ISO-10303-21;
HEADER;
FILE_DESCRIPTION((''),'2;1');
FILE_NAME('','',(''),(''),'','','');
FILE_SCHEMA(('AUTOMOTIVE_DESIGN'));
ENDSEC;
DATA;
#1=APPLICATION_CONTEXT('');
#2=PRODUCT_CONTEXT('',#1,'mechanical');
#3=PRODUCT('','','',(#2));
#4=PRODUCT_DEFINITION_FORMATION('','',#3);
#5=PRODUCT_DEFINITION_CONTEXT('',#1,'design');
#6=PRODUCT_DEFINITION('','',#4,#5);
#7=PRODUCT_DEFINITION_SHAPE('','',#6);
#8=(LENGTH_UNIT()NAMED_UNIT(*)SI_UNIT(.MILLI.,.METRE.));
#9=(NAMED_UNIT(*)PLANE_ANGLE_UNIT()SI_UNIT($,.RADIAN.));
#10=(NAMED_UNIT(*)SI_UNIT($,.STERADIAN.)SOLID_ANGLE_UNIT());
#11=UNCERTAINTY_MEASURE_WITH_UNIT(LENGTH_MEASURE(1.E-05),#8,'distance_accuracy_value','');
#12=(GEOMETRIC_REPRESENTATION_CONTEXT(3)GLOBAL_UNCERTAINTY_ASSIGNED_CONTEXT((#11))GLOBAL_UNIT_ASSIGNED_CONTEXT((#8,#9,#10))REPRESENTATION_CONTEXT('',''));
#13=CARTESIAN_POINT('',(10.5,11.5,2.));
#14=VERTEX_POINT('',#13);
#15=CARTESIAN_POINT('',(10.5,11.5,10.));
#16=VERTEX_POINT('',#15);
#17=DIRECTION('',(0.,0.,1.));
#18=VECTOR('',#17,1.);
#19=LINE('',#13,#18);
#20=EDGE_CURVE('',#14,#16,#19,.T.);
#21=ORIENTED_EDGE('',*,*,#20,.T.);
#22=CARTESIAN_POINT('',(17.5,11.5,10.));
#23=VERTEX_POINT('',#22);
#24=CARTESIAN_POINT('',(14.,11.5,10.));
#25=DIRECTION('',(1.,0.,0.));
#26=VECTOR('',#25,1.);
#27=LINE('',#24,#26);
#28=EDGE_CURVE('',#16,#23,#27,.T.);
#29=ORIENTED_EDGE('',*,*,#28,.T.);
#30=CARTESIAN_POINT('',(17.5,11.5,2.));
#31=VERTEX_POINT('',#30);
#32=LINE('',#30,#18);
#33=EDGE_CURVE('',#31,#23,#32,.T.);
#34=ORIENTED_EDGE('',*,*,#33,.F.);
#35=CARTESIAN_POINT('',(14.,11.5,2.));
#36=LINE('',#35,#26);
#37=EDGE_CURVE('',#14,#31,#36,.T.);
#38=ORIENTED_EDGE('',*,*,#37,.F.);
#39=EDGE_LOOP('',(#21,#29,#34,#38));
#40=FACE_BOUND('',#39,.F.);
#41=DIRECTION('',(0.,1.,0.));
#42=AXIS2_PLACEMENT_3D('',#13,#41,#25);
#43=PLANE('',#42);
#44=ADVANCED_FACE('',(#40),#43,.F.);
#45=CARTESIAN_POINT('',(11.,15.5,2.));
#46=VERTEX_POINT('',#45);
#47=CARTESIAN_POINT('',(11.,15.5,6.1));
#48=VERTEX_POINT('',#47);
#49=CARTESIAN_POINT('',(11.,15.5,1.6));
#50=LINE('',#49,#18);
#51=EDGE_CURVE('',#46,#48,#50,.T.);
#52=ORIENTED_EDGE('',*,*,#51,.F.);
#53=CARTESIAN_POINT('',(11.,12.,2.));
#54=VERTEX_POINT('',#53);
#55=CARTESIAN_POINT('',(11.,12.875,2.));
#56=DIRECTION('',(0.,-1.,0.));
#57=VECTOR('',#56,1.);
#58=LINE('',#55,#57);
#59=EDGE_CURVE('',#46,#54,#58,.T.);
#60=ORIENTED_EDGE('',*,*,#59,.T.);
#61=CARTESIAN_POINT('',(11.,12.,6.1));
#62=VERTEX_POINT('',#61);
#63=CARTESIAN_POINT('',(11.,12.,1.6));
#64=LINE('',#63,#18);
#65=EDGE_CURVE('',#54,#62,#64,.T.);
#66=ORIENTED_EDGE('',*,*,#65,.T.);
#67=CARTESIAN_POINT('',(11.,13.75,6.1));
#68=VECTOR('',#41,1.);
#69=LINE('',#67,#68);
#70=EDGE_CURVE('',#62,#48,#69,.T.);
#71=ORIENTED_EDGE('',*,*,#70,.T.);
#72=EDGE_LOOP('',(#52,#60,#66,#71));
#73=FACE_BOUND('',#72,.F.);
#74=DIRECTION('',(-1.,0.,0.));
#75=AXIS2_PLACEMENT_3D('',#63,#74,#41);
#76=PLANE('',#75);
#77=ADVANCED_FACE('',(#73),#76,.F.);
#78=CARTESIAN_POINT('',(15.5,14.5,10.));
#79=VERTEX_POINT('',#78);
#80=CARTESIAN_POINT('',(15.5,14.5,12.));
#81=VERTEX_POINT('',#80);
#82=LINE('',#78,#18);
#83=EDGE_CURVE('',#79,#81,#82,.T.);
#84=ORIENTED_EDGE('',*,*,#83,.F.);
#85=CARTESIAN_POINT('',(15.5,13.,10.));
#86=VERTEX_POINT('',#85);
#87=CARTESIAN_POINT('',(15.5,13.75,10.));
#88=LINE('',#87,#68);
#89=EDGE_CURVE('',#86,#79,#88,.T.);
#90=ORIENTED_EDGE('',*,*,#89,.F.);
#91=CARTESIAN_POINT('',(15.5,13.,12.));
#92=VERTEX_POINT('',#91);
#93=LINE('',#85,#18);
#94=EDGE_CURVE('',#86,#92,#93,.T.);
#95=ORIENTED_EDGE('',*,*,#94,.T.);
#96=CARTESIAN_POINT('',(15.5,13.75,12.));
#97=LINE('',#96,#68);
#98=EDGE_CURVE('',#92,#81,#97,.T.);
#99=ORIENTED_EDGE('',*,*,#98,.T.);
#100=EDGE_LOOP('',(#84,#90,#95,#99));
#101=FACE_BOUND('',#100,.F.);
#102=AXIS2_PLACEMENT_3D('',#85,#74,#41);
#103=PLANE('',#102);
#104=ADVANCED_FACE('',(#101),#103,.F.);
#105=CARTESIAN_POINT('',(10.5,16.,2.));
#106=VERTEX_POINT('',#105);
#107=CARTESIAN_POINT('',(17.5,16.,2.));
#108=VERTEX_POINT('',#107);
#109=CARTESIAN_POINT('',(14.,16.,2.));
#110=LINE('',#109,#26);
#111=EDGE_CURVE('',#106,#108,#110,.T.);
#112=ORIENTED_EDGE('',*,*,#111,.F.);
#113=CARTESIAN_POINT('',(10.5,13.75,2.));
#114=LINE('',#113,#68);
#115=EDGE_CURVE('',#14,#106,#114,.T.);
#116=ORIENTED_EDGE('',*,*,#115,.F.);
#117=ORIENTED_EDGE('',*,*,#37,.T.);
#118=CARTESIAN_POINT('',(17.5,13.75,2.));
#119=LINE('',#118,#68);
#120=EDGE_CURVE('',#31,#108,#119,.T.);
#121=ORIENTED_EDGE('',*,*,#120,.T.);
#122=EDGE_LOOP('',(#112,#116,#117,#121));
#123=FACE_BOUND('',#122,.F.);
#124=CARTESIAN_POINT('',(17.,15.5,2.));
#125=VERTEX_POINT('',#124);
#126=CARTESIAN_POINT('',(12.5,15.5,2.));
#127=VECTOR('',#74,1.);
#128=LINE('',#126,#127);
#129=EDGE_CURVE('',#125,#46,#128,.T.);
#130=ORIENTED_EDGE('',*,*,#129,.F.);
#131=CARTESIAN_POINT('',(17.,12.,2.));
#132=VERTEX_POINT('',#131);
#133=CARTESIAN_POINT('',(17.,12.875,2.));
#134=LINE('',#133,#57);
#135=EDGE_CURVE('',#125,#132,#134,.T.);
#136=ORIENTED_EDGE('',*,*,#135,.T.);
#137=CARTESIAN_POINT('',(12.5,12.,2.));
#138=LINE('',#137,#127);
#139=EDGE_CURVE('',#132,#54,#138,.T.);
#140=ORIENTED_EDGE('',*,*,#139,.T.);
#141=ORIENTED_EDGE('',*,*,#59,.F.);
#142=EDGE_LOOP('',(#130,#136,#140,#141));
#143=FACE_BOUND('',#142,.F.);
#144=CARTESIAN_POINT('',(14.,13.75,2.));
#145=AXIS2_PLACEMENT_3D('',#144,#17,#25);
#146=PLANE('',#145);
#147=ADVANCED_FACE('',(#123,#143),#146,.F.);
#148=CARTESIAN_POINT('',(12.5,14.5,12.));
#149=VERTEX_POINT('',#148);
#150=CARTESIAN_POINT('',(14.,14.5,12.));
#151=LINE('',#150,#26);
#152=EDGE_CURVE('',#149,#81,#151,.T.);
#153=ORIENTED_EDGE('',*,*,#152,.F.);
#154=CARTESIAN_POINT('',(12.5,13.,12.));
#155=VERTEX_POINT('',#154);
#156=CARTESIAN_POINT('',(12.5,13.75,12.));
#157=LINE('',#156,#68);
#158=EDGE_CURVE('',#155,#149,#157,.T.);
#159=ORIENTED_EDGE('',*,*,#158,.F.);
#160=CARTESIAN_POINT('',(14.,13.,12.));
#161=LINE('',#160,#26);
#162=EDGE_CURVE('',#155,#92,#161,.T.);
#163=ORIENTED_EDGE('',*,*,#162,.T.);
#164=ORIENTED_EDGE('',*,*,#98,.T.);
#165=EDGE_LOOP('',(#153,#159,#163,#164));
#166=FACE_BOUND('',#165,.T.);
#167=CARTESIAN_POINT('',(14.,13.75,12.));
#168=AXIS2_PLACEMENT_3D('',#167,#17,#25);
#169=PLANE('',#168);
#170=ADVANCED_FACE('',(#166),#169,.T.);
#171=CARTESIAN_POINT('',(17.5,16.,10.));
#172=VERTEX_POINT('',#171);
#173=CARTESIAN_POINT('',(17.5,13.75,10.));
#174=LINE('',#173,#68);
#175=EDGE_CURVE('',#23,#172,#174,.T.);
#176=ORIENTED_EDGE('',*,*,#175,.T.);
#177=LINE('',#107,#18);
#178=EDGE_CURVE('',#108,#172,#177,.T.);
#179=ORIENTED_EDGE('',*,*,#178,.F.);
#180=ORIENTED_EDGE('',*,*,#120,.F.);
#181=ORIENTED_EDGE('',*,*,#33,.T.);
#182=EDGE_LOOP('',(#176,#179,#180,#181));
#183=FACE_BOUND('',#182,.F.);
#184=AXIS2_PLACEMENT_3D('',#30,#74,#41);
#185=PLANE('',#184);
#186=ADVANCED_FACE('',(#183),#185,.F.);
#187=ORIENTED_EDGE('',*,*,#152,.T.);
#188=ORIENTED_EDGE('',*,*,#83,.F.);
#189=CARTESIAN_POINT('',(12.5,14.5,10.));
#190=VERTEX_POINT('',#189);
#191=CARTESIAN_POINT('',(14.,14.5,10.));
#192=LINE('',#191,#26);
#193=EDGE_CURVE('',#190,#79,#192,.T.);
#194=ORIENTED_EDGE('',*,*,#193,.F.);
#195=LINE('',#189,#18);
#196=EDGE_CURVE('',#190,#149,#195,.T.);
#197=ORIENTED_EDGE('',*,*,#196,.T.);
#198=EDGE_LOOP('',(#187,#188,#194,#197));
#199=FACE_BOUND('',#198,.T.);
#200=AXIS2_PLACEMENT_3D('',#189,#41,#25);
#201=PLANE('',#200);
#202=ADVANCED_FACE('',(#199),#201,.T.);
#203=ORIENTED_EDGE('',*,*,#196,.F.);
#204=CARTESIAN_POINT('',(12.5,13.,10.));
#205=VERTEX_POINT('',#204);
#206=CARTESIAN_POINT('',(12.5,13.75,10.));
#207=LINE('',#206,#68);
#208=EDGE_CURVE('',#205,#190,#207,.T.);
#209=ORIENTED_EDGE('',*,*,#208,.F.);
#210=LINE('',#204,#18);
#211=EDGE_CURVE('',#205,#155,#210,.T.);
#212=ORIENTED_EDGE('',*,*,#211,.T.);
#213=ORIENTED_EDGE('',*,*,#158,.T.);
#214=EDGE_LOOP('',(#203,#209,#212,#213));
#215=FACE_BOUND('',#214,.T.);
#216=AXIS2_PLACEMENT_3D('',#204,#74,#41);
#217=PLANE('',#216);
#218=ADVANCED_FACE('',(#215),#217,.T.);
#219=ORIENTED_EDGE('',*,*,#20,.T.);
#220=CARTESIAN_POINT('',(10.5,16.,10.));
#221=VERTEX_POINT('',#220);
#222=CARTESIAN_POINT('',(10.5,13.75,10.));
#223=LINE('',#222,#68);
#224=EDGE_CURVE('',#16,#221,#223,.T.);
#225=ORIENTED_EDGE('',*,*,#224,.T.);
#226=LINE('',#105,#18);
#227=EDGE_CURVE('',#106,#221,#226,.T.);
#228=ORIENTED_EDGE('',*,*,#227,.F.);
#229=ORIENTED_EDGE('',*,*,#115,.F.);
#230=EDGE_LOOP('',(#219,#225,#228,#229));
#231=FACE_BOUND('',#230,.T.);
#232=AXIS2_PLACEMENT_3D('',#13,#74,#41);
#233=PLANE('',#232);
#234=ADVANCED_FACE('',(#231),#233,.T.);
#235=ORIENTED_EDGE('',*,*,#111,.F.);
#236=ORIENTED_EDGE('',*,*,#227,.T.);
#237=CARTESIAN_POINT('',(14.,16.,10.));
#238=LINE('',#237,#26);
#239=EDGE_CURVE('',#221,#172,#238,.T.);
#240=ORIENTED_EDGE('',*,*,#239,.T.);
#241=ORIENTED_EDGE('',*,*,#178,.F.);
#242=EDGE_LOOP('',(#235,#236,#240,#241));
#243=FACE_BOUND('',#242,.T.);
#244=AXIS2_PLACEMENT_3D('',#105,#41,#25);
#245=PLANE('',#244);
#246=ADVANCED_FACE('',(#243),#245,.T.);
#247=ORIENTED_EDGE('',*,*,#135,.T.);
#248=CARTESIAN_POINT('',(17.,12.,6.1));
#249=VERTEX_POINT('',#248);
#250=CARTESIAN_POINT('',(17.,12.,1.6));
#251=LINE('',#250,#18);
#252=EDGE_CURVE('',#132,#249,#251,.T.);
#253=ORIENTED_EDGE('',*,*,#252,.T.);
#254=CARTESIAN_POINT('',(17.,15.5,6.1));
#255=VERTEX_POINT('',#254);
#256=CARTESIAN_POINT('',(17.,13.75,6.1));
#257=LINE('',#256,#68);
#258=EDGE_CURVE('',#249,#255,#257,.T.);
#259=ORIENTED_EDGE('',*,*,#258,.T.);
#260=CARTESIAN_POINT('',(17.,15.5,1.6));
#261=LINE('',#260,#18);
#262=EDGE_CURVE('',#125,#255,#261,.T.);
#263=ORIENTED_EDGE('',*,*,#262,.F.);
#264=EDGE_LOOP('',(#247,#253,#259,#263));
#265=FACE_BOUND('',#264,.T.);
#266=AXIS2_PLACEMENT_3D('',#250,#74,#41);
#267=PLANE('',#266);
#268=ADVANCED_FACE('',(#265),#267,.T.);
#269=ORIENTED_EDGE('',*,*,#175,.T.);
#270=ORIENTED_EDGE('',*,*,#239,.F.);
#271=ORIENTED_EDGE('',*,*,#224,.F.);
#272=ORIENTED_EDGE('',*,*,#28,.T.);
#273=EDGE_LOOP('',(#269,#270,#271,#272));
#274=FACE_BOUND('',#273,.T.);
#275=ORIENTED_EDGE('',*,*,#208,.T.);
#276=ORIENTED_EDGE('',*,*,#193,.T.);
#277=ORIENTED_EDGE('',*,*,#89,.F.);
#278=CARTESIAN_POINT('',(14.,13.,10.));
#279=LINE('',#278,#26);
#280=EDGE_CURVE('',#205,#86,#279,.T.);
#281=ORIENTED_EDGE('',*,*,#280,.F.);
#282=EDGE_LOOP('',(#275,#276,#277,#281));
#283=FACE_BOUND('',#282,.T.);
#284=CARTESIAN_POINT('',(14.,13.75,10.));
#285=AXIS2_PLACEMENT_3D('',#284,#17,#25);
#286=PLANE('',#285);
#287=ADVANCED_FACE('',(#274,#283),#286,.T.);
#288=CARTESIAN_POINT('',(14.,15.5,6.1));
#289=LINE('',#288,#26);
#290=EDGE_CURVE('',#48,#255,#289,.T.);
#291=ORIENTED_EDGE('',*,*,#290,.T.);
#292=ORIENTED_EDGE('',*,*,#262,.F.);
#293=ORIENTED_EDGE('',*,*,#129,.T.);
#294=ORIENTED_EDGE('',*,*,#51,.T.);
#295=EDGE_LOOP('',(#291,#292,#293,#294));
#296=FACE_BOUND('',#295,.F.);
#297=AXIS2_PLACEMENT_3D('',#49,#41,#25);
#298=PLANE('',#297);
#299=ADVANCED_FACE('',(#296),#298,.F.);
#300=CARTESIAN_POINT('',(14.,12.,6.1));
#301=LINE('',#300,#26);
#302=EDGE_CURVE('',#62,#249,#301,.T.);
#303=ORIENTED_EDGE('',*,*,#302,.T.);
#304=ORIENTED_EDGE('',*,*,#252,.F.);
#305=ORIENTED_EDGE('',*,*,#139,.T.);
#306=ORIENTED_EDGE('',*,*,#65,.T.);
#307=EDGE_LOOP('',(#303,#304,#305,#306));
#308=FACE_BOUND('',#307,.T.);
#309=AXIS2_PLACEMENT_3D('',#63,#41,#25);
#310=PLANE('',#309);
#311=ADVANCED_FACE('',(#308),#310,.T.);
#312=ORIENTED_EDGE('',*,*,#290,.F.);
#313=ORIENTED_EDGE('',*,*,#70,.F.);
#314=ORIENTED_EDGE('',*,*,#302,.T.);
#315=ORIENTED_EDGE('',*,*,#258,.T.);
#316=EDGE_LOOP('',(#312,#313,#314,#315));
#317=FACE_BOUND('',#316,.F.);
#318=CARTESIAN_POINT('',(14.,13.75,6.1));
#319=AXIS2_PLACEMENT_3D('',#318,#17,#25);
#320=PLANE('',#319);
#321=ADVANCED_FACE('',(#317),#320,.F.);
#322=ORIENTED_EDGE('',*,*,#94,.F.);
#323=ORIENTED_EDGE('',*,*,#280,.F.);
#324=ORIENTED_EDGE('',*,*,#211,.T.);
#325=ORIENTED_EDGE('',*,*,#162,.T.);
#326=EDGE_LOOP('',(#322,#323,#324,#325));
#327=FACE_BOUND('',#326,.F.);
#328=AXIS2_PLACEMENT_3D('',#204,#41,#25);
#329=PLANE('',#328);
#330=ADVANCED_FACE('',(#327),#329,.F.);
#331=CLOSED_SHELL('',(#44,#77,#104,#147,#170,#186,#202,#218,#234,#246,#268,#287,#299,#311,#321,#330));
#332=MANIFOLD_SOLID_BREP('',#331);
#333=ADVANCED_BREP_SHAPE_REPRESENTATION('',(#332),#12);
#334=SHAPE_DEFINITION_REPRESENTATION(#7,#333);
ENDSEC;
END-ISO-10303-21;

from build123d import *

# Parameters (mm, degrees)
BOX003_W     = 3
BOX003_H     = 1.5
BOX003_DEPTH = 2
BOX001_W     = 6
BOX001_H     = 3.5
BOX001_DEPTH = 4.5
BOX002_W     = 7
BOX002_H     = 4.5
BOX002_DEPTH = 8


with BuildPart() as cube002:
    # Box003 → Box003 (new body)
    with BuildSketch(Plane(origin=(12.5, 13, 10), x_dir=(1, 0, 0), z_dir=(0, 0, 1))):
        with Locations((1.5, 0.75)):
            Rectangle(BOX003_W, BOX003_H)
    extrude(amount=BOX003_DEPTH)


with BuildPart() as cube:
    # Box001 → Box001 (new body)
    with BuildSketch(Plane(origin=(11, 12, 1.6), x_dir=(1, 0, 0), z_dir=(0, 0, 1))):
        with Locations((3, 1.75)):
            Rectangle(BOX001_W, BOX001_H)
    extrude(amount=BOX001_DEPTH)


with BuildPart() as button_extn001:
    # Box002 → Box002 (new body)
    with BuildSketch(Plane(origin=(10.5, 11.5, 2), x_dir=(1, 0, 0), z_dir=(0, 0, 1))):
        with Locations((3.5, 2.25)):
            Rectangle(BOX002_W, BOX002_H)
    extrude(amount=BOX002_DEPTH)

    # Cut: cut Cube
    add(cube.part, mode=Mode.SUBTRACT)

    # Fusion: union Cube002
    add(cube002.part)


solid = button_extn001.part
